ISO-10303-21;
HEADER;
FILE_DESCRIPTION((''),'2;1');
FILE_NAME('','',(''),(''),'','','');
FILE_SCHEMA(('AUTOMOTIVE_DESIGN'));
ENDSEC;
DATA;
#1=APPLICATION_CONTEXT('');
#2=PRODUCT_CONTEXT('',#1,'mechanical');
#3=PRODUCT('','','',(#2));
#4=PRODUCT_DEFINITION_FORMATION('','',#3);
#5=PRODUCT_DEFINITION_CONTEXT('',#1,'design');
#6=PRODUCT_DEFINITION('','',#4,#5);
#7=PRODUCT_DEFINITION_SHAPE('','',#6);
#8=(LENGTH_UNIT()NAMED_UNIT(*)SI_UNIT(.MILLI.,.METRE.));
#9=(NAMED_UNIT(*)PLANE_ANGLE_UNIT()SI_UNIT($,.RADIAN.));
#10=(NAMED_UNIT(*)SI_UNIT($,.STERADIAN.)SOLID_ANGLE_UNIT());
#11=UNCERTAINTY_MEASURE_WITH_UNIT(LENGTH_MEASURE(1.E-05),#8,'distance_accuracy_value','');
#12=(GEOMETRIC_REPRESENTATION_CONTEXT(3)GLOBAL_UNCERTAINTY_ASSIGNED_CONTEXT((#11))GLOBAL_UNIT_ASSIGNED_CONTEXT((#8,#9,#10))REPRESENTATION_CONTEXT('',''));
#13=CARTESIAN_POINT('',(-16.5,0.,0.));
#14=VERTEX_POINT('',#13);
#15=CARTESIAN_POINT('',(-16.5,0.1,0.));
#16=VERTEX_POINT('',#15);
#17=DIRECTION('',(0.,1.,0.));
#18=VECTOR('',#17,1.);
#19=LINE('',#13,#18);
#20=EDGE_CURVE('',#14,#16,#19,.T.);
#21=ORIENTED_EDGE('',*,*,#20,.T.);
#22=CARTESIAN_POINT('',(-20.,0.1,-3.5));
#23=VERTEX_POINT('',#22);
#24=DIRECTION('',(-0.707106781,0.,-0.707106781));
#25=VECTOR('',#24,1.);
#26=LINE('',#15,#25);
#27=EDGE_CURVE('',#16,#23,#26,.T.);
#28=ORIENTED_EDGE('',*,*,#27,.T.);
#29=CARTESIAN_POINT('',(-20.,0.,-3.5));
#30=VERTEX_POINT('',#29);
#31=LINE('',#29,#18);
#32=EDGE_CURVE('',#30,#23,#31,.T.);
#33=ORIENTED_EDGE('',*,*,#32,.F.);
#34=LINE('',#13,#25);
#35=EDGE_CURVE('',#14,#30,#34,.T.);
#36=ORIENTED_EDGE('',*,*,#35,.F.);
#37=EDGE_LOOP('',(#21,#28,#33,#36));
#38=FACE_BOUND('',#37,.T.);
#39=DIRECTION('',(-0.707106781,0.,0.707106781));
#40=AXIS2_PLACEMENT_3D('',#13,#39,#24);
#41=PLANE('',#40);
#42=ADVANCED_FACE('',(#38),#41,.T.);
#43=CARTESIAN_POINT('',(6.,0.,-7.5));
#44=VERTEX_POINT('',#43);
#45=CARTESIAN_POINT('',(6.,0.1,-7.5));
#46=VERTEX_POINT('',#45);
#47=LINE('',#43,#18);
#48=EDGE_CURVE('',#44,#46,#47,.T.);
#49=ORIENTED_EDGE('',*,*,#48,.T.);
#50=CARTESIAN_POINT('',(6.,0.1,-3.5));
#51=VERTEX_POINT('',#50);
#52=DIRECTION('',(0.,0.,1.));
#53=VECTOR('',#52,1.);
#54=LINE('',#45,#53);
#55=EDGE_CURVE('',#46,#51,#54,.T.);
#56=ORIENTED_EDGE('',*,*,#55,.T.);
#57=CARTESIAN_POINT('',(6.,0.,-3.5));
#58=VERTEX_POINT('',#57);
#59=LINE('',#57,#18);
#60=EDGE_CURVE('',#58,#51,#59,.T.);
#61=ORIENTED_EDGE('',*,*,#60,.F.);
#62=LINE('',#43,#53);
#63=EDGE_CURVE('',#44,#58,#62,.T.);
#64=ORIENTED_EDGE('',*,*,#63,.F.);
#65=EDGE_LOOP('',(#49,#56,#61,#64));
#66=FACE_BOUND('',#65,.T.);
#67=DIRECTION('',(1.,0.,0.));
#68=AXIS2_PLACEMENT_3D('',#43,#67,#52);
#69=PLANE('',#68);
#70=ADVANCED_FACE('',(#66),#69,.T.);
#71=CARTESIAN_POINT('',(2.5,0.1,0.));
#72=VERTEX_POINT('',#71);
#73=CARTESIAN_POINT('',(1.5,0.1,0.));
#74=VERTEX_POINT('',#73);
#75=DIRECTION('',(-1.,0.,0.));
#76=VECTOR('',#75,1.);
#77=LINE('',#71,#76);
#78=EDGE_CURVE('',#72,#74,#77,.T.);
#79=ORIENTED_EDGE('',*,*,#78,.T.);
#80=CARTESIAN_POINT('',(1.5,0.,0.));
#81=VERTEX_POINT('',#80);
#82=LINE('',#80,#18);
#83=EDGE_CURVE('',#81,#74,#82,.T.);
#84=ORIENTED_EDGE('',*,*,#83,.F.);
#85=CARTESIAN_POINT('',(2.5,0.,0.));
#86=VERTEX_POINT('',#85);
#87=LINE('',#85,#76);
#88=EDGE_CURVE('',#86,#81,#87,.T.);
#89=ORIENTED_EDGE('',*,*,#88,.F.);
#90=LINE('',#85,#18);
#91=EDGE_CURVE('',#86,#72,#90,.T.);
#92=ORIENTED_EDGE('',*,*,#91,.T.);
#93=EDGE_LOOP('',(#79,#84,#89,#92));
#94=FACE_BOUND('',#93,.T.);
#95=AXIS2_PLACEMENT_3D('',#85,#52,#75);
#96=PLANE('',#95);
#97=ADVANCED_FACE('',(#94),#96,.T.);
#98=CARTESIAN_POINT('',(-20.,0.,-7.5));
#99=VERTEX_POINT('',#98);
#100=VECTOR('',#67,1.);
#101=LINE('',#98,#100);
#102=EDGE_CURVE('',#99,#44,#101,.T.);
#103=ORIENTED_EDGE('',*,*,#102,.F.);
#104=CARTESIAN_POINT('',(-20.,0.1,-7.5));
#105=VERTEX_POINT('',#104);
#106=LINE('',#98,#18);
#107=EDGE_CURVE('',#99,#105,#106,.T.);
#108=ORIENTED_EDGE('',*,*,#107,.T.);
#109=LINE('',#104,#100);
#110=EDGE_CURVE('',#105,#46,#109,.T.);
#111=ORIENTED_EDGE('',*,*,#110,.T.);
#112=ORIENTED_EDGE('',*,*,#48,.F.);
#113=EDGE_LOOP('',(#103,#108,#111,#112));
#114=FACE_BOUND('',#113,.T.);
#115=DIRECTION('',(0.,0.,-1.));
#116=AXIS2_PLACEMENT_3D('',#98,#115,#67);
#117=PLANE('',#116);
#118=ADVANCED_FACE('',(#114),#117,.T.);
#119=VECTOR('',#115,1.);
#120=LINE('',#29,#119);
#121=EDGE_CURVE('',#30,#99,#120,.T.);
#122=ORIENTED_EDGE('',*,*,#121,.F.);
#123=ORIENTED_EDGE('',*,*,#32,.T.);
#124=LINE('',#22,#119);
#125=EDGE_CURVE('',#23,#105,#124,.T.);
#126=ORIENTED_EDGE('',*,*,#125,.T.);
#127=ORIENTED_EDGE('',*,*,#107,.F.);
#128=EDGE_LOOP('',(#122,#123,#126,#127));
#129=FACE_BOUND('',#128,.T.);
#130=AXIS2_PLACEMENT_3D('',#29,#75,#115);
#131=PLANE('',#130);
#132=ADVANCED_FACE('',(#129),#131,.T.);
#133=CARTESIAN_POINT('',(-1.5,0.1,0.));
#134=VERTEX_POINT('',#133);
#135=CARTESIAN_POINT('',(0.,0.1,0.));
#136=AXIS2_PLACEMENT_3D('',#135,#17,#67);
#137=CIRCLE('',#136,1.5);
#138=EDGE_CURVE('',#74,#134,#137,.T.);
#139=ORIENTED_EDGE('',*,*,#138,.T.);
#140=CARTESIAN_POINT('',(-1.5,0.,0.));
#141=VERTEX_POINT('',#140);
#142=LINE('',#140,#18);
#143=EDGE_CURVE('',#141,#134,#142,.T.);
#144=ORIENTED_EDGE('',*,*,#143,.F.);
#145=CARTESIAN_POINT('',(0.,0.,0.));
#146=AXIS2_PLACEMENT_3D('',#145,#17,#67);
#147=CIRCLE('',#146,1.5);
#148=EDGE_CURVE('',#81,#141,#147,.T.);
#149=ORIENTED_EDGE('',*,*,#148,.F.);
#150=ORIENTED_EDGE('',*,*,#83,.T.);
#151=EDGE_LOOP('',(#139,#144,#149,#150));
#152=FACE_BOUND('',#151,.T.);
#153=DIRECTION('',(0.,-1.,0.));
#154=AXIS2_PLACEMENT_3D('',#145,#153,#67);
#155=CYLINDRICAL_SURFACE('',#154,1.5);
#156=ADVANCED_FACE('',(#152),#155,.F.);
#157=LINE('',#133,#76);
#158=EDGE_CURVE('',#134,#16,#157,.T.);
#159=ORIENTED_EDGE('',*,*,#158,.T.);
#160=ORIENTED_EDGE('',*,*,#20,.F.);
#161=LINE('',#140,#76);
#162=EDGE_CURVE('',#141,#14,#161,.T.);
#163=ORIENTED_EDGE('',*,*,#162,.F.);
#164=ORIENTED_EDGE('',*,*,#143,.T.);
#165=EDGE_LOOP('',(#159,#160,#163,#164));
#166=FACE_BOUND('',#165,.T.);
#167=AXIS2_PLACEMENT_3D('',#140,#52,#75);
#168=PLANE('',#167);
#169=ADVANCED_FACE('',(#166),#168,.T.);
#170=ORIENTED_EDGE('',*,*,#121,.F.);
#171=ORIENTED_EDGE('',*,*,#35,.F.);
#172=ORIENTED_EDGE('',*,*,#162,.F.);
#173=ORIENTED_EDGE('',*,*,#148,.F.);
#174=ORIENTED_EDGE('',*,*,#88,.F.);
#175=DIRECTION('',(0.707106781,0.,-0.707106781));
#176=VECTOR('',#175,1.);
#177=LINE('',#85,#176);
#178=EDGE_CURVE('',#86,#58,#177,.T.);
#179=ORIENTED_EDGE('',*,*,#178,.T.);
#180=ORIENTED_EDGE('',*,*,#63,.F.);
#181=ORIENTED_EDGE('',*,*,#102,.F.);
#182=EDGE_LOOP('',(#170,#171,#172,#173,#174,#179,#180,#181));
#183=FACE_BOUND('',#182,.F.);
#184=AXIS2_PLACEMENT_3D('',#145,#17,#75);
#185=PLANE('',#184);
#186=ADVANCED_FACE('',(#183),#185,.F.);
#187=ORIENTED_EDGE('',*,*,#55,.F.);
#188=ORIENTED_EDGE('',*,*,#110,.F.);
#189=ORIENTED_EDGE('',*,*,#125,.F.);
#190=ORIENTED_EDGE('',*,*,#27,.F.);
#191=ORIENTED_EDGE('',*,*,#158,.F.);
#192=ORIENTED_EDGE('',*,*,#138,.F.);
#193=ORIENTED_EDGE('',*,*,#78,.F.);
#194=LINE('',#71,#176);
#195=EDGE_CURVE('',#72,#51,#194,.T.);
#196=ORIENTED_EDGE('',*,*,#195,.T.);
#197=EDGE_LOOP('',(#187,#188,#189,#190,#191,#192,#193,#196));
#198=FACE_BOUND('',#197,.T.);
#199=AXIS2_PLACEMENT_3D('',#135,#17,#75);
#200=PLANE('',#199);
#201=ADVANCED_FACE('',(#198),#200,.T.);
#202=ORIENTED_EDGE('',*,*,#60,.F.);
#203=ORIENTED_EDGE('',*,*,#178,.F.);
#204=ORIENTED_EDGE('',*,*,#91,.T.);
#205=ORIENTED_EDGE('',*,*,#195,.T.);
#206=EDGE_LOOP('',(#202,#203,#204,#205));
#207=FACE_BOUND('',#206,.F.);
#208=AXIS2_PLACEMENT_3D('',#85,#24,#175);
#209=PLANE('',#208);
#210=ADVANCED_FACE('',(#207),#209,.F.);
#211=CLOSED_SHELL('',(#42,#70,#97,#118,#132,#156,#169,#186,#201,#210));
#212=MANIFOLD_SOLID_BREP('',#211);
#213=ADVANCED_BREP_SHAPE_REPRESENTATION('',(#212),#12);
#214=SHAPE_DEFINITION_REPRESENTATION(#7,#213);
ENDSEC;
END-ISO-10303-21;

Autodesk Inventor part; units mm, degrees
ref_plane "YZ Plane" through (0, 0, 0) normal (1, 0, 0) x (0, 1, 0)
ref_plane "XZ Plane" through (0, 0, 0) normal (0, 1, 0) x (-1, 0, 0)
ref_plane "XY Plane" through (0, 0, 0) normal (0, 0, 1) x (1, 0, 0)
sketch "Sketch1" plane through (0, 0, 0) normal (0, 1, 0) x (-1, 0, 0)
  line L0 (1.5, 0) -> (16.5, 0)
  line L1 (20, -3.5) -> (20, -7.5)
  line L2 (20, -7.5) -> (-6, -7.5)
  line L3 (-6, -7.5) -> (-6, -3.5)
  arc A0 (-1.5, 0) -> (1.5, 0) centre (0, 0) ccw
  line L4 (-2.5, 0) -> (-1.5, 0)
  line L5 (1.5, 0) -> (16.5, 0)
  line L6 (16.5, 0) -> (20, -3.5)
  line L7 (-2.5, 0) -> (-6, -3.5)
  point P0 (-9.6433, 0)
  dimension "d0" = 1.5
  dimension "d1" = 7.5
  dimension "d6" = 4
  dimension "d7" = 4
  dimension "d10" = 135
  dimension "d11" = 7.5
  dimension "d12" = 1
  dimension "d13" = 20
extrude "Extrusion1" add sketch "Sketch1" along normal blind 0.1
equation "\"d7\" = d6"
equation "\"d11\" = d1"
properties part number "bladehalf"
